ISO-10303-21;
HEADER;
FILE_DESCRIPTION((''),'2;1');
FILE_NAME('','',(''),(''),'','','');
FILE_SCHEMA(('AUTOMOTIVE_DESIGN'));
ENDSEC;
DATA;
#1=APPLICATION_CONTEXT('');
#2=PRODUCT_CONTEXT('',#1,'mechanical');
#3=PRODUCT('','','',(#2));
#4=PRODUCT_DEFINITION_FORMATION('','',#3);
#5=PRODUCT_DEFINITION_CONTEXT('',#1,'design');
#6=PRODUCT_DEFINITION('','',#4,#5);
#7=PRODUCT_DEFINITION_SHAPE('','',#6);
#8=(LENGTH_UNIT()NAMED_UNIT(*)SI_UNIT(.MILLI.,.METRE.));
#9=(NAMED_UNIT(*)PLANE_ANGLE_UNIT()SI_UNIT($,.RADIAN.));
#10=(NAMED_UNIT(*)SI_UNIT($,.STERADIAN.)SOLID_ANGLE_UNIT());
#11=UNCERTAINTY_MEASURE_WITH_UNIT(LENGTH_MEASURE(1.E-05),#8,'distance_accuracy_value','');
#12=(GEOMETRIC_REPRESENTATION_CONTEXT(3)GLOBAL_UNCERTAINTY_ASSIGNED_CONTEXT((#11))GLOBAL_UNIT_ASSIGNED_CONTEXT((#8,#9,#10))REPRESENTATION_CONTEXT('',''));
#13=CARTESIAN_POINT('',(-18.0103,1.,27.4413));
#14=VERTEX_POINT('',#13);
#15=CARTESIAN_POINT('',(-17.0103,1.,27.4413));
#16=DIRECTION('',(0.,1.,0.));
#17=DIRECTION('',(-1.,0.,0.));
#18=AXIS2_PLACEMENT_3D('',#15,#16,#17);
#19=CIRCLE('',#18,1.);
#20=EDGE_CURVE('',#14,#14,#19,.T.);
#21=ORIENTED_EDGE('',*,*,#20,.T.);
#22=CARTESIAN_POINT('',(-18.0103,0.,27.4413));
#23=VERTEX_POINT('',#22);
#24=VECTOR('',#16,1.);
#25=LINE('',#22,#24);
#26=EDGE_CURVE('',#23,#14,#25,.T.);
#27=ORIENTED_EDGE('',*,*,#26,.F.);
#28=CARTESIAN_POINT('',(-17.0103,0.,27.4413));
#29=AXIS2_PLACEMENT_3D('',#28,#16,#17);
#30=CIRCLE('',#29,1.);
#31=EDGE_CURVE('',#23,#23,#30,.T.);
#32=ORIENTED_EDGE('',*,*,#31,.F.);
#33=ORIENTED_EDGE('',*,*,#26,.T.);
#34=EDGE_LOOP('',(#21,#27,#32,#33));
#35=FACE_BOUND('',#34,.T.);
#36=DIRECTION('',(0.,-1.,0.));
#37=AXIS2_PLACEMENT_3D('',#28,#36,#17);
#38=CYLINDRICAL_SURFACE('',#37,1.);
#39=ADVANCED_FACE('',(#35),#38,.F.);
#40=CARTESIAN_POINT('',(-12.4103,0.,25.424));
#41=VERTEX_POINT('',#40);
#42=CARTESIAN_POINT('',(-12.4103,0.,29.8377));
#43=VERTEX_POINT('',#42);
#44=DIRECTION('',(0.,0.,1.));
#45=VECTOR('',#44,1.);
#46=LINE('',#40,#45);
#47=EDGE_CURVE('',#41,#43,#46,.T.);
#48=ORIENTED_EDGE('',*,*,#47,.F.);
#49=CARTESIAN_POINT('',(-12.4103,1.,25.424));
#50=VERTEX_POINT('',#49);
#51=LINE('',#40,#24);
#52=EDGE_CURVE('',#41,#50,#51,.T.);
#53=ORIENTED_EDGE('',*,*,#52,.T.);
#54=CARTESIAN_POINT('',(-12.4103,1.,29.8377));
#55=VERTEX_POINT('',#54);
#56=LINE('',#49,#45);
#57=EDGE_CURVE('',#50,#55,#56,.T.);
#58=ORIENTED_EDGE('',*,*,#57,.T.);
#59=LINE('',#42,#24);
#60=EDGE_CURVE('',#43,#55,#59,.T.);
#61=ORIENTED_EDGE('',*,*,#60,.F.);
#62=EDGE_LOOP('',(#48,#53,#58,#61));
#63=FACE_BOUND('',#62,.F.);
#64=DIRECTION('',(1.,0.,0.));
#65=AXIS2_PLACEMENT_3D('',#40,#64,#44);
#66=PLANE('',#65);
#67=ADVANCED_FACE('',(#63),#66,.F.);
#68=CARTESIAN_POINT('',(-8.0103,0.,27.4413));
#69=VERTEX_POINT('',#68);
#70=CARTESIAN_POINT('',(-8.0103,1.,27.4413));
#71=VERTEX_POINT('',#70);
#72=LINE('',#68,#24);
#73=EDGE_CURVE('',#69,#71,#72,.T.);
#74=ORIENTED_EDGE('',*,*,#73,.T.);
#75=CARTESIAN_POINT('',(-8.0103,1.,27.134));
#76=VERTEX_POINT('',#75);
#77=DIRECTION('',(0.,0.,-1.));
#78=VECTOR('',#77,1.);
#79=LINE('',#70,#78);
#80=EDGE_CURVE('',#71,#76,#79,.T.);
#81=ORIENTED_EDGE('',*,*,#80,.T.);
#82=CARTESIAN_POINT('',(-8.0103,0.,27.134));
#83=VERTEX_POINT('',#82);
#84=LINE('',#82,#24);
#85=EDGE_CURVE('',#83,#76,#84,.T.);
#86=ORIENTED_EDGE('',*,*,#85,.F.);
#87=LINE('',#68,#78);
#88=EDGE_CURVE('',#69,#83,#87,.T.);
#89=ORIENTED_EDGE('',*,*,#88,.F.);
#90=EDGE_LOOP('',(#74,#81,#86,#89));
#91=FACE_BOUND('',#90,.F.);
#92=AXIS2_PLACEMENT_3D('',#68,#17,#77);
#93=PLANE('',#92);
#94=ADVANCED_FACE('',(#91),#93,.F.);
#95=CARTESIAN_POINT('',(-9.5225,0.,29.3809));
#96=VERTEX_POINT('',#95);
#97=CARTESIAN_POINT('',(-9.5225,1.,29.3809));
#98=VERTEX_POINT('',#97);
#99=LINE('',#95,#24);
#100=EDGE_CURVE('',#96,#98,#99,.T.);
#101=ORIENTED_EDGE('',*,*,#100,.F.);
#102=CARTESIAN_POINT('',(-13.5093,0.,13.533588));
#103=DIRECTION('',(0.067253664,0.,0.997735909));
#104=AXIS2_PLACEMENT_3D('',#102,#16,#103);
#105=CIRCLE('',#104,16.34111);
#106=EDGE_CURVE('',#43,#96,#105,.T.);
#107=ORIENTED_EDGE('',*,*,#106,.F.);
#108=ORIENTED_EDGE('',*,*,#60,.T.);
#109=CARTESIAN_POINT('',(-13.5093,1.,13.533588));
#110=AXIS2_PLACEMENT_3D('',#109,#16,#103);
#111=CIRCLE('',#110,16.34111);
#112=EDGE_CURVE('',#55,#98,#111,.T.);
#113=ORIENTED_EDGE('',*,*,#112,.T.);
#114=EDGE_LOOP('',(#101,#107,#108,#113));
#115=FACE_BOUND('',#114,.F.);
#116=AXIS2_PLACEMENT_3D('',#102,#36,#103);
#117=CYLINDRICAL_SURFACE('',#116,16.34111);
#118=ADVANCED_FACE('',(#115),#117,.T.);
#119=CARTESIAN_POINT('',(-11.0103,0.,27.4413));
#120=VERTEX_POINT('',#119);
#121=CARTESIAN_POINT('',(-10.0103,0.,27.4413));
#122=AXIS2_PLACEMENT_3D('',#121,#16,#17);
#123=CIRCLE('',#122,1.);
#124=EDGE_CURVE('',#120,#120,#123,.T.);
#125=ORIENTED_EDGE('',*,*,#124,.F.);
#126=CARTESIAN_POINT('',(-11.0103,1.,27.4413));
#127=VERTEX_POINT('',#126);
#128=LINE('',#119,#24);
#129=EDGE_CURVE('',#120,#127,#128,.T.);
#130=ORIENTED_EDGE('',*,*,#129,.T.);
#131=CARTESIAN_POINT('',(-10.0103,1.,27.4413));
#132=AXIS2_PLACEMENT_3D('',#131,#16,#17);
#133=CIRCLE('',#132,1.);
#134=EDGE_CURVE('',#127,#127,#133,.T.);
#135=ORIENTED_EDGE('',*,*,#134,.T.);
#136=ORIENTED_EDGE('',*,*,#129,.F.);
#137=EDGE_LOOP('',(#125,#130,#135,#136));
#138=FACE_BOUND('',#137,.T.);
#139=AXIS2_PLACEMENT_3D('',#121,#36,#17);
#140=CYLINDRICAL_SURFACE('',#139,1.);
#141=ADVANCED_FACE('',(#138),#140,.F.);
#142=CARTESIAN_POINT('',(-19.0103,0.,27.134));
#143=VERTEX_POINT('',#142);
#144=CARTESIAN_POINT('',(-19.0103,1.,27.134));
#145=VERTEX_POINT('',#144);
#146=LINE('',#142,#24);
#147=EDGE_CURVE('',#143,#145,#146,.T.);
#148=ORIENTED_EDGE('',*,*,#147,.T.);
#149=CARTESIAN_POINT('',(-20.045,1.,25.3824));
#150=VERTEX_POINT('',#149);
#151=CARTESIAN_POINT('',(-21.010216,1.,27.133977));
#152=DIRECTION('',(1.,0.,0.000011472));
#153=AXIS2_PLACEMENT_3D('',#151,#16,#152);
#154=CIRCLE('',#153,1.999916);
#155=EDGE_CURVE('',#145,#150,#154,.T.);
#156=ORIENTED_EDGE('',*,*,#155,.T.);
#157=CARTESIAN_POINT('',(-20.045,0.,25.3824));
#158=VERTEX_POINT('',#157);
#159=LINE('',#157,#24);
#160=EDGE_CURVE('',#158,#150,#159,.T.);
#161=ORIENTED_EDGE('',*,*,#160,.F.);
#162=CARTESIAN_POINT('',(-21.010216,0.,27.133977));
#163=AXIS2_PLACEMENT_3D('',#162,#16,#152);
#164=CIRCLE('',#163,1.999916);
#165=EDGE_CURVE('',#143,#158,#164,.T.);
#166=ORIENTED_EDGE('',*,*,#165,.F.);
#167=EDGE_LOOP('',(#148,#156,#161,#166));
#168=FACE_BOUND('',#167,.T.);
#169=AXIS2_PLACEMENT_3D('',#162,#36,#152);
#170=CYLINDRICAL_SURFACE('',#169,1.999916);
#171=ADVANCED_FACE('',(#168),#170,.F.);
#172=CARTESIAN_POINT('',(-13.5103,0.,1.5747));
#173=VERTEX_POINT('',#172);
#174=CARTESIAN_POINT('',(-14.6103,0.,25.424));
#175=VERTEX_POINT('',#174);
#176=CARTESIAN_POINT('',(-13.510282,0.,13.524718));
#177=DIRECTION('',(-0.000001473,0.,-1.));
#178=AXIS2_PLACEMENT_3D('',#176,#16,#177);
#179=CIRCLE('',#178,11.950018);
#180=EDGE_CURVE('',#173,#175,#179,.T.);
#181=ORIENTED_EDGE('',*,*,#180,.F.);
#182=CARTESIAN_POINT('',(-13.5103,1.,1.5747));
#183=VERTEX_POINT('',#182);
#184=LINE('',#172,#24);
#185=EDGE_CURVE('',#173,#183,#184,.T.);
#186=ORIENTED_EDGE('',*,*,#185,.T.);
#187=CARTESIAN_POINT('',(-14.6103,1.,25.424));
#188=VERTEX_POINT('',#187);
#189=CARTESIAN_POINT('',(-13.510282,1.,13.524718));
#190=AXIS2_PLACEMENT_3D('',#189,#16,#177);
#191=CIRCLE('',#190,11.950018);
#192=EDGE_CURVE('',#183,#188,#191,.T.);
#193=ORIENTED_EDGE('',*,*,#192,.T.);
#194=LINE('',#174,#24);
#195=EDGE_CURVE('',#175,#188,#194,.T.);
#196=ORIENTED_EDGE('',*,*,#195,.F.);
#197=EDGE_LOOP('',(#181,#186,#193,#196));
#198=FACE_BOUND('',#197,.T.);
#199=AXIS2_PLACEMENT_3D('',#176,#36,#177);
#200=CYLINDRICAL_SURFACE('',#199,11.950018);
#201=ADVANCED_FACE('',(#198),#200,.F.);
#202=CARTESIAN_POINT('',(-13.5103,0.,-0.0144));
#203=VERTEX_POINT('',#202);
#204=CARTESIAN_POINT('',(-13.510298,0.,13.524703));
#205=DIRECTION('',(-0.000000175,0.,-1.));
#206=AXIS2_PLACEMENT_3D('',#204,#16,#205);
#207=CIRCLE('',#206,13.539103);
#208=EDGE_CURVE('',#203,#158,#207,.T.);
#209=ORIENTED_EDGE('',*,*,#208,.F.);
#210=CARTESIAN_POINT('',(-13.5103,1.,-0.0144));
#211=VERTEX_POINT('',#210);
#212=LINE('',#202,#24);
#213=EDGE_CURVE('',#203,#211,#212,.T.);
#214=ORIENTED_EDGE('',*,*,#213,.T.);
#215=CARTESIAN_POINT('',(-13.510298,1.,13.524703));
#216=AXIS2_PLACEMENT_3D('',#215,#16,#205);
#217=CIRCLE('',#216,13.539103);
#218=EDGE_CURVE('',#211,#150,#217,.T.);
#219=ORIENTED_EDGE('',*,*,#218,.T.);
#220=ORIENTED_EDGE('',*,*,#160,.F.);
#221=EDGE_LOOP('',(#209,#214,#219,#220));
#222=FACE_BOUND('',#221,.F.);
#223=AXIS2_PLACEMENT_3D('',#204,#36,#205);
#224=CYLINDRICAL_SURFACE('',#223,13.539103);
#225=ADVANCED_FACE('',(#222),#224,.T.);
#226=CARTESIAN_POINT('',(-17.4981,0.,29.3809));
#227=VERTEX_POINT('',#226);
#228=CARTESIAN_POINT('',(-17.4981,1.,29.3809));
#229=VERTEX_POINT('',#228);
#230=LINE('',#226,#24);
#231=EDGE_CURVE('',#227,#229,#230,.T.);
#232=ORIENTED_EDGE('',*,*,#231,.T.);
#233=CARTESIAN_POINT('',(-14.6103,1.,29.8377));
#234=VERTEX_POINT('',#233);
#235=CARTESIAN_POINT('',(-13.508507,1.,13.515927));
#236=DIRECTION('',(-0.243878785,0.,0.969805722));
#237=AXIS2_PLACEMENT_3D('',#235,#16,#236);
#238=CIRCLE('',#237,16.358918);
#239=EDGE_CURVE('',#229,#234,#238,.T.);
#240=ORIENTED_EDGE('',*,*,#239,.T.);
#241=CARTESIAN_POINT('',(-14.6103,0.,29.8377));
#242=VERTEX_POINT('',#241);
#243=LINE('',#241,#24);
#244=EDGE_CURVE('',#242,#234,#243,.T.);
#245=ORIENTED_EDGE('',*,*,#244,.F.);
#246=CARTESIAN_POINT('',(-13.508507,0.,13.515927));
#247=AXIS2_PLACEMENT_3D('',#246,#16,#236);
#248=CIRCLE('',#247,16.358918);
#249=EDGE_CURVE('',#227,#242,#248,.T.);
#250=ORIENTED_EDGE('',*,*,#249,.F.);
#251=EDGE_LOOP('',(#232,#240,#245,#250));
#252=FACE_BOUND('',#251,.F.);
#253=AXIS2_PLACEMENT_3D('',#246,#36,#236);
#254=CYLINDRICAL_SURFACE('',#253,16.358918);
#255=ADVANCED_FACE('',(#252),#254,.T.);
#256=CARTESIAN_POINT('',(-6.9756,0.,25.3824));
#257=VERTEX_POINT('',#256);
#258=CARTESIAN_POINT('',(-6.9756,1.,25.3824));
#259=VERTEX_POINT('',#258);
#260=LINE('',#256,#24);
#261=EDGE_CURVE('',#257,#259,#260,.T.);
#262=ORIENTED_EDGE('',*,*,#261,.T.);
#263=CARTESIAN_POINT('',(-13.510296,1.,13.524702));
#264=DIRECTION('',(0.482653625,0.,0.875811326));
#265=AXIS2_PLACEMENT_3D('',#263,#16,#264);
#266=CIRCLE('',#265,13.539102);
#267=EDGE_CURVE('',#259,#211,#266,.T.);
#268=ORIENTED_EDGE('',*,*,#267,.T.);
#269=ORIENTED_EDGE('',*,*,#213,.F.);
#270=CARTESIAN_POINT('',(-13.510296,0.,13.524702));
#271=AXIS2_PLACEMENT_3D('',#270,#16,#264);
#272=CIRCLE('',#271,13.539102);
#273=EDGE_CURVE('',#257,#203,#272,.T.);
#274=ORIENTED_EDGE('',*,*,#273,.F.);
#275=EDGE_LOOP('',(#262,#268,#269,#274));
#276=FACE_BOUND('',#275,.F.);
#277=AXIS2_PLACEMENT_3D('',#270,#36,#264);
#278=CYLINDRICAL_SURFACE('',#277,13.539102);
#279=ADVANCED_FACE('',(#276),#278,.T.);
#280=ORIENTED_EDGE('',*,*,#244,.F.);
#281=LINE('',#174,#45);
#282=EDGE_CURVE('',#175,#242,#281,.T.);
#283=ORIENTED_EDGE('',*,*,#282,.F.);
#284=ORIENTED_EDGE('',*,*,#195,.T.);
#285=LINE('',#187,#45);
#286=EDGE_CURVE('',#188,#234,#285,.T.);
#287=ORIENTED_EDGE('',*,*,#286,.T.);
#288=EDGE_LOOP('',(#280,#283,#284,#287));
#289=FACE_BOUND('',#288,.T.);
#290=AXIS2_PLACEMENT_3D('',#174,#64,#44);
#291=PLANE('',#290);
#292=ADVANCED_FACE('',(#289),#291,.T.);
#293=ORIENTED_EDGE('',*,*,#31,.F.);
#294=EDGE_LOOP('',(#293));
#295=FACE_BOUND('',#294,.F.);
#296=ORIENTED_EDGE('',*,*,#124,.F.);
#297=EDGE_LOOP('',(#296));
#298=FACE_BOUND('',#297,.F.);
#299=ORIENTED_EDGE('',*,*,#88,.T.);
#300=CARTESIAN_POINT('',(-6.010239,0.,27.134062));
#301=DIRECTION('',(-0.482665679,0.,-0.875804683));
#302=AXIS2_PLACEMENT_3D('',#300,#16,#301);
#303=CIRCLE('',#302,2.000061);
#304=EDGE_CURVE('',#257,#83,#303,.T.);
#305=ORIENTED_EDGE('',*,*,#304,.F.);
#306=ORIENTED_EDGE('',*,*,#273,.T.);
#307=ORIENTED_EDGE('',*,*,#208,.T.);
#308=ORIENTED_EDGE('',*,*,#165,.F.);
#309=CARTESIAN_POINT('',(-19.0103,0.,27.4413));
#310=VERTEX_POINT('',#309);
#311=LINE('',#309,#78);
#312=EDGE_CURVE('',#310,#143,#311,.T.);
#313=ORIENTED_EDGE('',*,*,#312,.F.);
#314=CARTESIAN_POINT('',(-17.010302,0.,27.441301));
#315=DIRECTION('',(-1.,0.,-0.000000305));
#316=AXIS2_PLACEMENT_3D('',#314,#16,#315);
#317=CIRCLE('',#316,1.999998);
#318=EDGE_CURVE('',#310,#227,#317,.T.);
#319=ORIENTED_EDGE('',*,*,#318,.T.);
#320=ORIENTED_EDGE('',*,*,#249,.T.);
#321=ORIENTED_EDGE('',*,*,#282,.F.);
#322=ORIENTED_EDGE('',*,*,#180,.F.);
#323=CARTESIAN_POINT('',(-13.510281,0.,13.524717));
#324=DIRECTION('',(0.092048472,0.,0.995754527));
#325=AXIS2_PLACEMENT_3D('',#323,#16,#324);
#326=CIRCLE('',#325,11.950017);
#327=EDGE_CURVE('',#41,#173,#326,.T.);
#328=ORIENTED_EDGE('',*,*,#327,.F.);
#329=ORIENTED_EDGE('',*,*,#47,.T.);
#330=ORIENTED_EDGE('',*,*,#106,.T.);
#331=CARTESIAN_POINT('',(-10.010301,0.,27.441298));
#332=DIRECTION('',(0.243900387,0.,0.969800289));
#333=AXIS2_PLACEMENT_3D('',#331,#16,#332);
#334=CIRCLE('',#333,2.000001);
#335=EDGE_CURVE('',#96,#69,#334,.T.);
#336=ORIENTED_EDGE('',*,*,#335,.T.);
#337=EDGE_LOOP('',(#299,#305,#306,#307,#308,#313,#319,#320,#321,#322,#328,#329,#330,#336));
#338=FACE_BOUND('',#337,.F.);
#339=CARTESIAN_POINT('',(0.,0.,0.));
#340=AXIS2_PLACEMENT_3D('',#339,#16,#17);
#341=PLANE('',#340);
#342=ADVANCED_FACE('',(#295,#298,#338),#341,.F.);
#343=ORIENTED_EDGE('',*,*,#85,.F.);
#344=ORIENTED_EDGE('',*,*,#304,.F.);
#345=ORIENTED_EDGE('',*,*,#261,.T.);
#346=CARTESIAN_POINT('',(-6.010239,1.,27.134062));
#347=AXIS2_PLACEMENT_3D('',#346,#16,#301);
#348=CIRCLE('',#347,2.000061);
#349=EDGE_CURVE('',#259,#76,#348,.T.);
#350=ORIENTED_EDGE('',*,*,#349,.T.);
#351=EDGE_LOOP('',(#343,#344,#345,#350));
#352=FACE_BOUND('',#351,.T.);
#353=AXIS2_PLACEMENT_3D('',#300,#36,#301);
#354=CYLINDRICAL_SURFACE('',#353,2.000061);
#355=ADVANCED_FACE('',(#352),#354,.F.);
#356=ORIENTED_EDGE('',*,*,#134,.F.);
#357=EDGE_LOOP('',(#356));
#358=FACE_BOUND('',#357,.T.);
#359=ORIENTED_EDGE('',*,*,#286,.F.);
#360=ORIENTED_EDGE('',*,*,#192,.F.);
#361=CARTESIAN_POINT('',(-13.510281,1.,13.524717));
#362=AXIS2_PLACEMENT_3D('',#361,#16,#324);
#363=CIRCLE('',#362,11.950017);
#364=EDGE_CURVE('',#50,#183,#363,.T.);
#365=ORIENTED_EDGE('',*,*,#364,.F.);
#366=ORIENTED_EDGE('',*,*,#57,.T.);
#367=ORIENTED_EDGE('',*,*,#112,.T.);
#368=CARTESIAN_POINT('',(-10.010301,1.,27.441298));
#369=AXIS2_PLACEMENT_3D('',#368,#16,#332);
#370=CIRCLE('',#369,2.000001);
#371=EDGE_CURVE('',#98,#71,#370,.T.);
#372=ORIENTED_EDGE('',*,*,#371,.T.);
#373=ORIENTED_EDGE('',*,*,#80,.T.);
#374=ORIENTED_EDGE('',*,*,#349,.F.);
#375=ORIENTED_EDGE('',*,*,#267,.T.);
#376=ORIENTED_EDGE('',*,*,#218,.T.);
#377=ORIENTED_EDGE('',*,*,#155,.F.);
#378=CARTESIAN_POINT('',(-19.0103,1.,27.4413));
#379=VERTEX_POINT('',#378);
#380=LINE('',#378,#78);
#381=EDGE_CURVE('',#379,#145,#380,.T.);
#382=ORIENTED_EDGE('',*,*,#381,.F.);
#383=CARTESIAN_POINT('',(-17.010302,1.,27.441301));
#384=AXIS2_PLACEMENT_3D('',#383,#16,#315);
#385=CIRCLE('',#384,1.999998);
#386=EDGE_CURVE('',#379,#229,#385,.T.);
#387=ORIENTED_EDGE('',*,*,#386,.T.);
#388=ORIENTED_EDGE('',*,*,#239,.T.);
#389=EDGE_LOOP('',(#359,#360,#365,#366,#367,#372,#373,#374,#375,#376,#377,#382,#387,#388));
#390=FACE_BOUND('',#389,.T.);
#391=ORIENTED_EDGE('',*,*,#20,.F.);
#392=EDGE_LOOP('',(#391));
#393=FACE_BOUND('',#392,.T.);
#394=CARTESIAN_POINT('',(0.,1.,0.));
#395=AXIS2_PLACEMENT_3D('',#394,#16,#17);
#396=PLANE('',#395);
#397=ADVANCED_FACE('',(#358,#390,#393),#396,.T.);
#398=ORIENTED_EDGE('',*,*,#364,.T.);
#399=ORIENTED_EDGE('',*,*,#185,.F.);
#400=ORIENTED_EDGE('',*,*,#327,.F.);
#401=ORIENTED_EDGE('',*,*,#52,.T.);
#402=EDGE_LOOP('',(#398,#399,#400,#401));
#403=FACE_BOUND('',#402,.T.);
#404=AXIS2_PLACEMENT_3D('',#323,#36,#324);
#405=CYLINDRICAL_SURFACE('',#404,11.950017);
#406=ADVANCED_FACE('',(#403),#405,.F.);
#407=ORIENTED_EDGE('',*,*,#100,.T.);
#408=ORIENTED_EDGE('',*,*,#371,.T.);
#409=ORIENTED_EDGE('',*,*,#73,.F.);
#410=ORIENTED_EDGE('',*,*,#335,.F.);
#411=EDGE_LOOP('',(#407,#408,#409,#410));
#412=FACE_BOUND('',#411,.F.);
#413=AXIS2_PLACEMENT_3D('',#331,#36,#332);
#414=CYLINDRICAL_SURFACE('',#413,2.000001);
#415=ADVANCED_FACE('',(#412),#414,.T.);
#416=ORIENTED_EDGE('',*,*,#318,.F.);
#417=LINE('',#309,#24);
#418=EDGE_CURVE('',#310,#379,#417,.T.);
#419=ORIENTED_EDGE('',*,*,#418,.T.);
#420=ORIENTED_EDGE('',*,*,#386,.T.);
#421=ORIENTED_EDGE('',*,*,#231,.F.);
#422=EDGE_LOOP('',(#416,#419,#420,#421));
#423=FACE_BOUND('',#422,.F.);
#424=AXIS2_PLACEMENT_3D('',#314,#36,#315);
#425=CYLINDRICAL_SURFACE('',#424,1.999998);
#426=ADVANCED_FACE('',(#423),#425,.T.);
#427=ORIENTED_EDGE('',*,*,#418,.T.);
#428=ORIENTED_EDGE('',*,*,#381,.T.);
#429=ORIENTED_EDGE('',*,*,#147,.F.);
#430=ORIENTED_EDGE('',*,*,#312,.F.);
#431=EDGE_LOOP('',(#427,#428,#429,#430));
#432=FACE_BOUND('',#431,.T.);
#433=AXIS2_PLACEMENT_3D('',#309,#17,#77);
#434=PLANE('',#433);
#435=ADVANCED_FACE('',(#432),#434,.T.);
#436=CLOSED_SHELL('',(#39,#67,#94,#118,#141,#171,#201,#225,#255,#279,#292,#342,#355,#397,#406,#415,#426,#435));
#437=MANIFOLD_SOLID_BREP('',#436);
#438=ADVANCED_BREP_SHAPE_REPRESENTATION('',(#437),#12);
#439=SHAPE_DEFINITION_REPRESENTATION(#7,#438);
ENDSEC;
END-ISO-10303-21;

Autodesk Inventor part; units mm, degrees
ref_plane "YZ Plane" through (0, 0, 0) normal (1, 0, 0) x (0, 1, 0)
ref_plane "XZ Plane" through (0, 0, 0) normal (0, 1, 0) x (-1, 0, 0)
ref_plane "XY Plane" through (0, 0, 0) normal (0, 0, 1) x (1, 0, 0)
sketch "Sketch1" plane through (0, 0, 0) normal (0, 1, 0) x (-1, 0, 0)
  line L0 (8.0103, 27.4413) -> (8.0103, 27.134)
  line L1 (12.4103, 25.424) -> (12.4103, 29.8377)
  circle A0 centre (10.0103, 27.4413) radius 1
  arc A1 (12.4103, 25.424) -> (13.5103, 1.5747) centre (13.5103, 13.5247) ccw
  arc A2 (6.9756, 25.3824) -> (13.5103, -0.0144) centre (13.5103, 13.5247) ccw
  arc A3 (6.9756, 25.3824) -> (8.0103, 27.134) centre (6.0103, 27.134) ccw
  arc A4 (9.5225, 29.3809) -> (8.0103, 27.4413) centre (10.0103, 27.4413) ccw
  arc A5 (12.4103, 29.8377) -> (9.5225, 29.3809) centre (13.5103, 13.5247) ccw
  line L2 (13.5103, 34.3082) -> (13.5103, -8.904)
  line L3 (19.0103, 27.4413) -> (19.0103, 27.134)
  line L4 (14.6103, 25.424) -> (14.6103, 29.8377)
  circle A6 centre (17.0103, 27.4413) radius 1
  arc A7 (13.5103, 1.5747) -> (14.6103, 25.424) centre (13.5103, 13.5247) ccw
  arc A8 (13.5103, -0.0144) -> (20.045, 25.3824) centre (13.5103, 13.5247) ccw
  arc A9 (19.0103, 27.134) -> (20.045, 25.3824) centre (21.0103, 27.134) ccw
  arc A10 (19.0103, 27.4413) -> (17.4981, 29.3809) centre (17.0103, 27.4413) ccw
  arc A11 (17.4981, 29.3809) -> (14.6103, 29.8377) centre (13.5103, 13.5247) ccw
  point P0 (0, 0)
  point P1 (12.4103, 27.6308)
  point P2 (14.6103, 27.6308)
  dimension "d0" = 11.95
  dimension "d1" = 13.5391
  dimension "d4" = 2.4
  dimension "d6" = 2
  dimension "d7" = 2
  dimension "d8" = 2
extrude "Extrusion1" add sketch "Sketch1" along normal blind 1
properties part number "49-01-002"
